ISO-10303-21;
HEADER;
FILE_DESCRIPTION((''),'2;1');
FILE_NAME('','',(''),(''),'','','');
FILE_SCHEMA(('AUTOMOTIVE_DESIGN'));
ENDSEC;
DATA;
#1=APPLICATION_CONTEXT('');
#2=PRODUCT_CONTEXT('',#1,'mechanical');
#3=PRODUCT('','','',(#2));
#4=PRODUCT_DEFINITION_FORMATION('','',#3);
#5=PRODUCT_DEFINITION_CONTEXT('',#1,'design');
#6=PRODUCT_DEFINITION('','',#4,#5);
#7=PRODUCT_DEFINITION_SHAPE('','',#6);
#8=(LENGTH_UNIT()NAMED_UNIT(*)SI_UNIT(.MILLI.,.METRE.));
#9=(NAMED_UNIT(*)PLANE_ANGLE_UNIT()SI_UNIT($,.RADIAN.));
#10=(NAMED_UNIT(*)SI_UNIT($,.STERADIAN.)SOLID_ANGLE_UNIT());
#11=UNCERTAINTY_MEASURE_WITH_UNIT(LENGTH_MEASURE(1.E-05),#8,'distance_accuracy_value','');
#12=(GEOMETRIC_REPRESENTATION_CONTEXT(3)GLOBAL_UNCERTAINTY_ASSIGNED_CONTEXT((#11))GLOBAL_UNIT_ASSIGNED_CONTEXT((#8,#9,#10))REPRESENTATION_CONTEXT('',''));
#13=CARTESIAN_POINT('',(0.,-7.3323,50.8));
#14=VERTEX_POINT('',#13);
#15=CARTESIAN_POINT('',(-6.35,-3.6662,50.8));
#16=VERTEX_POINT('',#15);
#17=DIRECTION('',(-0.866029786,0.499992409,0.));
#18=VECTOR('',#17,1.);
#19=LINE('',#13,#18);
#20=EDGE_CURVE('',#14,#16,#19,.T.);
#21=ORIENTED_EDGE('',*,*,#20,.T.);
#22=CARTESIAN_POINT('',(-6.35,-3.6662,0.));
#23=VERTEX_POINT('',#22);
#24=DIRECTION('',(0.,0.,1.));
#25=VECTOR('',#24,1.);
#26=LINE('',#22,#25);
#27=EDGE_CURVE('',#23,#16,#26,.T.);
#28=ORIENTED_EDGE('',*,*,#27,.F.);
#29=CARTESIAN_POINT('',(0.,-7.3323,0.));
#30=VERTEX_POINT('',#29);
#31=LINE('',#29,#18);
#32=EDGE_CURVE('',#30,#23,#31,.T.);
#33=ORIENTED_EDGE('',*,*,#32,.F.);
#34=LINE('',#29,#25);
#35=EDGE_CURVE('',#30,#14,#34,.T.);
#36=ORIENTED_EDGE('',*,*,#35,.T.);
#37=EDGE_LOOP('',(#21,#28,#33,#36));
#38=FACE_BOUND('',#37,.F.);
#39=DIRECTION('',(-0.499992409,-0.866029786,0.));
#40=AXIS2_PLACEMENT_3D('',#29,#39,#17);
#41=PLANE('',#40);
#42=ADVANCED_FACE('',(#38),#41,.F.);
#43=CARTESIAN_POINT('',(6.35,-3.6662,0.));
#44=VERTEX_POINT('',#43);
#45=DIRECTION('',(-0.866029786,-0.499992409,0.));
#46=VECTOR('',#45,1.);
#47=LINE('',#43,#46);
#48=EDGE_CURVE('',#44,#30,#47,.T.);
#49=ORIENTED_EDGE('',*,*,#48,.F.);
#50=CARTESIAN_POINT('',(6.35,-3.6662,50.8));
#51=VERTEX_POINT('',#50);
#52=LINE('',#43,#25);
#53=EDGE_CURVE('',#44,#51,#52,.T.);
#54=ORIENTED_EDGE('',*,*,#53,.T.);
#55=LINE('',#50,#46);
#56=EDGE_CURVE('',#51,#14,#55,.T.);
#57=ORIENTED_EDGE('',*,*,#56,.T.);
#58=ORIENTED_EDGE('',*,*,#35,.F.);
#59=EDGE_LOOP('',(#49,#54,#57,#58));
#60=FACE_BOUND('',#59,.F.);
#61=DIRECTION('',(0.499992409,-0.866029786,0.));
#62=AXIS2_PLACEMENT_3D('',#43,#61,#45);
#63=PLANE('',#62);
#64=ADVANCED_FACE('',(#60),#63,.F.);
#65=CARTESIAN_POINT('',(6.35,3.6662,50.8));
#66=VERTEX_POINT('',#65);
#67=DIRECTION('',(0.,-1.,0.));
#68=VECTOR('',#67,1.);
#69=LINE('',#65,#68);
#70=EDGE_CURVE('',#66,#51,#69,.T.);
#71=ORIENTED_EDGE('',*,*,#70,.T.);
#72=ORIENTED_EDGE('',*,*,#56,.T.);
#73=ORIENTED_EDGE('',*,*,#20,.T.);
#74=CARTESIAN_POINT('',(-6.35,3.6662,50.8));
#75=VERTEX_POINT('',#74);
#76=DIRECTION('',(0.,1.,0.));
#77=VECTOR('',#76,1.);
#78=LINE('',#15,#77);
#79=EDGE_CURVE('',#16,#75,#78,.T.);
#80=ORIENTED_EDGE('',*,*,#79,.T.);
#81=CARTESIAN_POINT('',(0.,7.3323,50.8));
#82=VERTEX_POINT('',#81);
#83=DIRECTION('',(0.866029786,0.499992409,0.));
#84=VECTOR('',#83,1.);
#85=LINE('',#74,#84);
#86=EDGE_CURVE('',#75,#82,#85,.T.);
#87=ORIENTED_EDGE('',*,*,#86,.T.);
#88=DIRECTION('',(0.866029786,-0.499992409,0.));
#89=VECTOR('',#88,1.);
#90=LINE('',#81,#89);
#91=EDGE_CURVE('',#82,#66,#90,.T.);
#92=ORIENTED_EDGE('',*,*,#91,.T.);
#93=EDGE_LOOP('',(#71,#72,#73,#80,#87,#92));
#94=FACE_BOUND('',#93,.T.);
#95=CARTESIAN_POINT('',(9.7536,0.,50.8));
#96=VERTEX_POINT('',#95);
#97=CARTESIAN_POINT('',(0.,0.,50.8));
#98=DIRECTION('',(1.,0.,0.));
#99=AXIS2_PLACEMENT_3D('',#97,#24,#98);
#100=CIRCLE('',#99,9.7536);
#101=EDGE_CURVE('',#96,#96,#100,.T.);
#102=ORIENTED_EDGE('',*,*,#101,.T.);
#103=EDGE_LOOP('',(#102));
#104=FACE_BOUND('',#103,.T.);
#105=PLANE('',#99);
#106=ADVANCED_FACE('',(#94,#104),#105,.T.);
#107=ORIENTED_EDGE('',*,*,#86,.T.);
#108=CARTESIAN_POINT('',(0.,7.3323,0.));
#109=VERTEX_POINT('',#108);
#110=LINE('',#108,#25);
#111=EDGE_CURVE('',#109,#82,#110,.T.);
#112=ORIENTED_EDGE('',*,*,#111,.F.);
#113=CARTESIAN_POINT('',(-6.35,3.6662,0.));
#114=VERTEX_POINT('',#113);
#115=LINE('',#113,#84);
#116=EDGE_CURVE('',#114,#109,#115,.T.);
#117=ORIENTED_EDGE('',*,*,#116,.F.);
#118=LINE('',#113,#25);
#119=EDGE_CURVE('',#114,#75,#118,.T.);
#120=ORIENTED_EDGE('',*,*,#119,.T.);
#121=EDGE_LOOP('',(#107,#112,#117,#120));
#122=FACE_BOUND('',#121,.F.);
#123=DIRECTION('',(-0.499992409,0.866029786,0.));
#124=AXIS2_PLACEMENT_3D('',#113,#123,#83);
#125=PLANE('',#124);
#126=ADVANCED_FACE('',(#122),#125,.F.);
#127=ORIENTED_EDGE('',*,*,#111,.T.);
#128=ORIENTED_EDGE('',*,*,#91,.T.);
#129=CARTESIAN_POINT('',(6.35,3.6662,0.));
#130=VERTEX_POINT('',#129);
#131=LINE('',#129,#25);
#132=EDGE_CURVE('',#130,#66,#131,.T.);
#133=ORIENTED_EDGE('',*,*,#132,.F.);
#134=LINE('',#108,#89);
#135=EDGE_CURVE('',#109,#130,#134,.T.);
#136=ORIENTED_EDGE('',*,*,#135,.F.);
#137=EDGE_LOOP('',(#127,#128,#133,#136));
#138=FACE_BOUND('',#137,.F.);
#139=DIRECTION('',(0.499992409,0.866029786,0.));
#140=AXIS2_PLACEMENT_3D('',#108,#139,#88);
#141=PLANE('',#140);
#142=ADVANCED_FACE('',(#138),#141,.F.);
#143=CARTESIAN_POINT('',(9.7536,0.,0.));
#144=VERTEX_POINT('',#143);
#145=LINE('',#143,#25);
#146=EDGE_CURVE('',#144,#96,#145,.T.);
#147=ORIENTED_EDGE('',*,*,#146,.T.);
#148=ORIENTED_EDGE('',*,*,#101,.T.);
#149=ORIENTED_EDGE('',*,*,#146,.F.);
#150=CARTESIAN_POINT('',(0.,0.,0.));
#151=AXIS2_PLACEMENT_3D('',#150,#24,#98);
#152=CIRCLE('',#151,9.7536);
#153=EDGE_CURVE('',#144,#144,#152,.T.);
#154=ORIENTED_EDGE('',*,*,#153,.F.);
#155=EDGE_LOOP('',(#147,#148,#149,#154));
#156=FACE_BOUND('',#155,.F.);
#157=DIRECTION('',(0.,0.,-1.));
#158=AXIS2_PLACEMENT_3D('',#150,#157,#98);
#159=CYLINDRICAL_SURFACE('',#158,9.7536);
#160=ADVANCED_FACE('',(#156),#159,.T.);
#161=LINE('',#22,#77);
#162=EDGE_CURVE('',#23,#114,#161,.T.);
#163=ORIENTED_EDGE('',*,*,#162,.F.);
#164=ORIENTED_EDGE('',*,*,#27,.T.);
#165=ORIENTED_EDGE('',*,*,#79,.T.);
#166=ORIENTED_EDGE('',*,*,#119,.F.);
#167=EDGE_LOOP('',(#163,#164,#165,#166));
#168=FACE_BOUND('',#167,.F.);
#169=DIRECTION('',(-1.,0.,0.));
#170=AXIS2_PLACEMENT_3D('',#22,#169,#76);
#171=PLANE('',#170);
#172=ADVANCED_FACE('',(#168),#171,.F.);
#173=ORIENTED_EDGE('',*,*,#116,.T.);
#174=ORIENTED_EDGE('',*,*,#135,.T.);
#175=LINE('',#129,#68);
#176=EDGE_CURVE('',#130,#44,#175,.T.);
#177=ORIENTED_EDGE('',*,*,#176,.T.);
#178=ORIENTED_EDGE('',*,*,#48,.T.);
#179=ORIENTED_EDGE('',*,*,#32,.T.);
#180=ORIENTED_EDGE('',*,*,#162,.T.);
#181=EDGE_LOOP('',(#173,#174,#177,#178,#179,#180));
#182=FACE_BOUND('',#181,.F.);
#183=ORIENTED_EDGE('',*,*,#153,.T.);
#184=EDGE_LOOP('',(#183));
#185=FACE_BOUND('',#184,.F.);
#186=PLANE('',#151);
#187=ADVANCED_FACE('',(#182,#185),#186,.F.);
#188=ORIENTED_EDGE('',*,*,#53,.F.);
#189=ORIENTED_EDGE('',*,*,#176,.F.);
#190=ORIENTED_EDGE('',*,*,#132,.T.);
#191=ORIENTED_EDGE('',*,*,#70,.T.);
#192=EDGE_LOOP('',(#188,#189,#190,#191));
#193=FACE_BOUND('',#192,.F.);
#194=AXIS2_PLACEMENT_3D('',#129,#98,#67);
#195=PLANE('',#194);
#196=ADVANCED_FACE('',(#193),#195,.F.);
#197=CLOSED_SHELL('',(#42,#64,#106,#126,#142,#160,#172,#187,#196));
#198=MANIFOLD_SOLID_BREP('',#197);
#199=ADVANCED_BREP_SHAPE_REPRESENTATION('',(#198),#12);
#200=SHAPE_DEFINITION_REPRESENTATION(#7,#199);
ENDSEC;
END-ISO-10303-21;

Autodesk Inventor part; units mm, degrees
ref_plane "YZ Plane" through (0, 0, 0) normal (1, 0, 0) x (0, 1, 0)
ref_plane "XZ Plane" through (0, 0, 0) normal (0, 1, 0) x (-1, 0, 0)
ref_plane "XY Plane" through (0, 0, 0) normal (0, 0, 1) x (1, 0, 0)
sketch "Sketch1" plane through (0, 0, 0) normal (0, 0, 1) x (1, 0, 0)
  circle A0 centre (0, 0) radius 9.7536
  line L0 (0, 7.3323) -> (6.35, 3.6662)
  line L1 (6.35, 3.6662) -> (6.35, -3.6662)
  line L2 (6.35, -3.6662) -> (0, -7.3323)
  line L3 (0, -7.3323) -> (-6.35, -3.6662)
  line L4 (-6.35, -3.6662) -> (-6.35, 3.6662)
  line L5 (-6.35, 3.6662) -> (0, 7.3323)
  dimension "d0" = 12.7
  dimension "d1" = 19.5072
extrude "Extrusion1" add sketch "Sketch1" along normal blind 50.8
properties part number "Spacer_0.5hex_2" material "Acetal Resin, Black"
